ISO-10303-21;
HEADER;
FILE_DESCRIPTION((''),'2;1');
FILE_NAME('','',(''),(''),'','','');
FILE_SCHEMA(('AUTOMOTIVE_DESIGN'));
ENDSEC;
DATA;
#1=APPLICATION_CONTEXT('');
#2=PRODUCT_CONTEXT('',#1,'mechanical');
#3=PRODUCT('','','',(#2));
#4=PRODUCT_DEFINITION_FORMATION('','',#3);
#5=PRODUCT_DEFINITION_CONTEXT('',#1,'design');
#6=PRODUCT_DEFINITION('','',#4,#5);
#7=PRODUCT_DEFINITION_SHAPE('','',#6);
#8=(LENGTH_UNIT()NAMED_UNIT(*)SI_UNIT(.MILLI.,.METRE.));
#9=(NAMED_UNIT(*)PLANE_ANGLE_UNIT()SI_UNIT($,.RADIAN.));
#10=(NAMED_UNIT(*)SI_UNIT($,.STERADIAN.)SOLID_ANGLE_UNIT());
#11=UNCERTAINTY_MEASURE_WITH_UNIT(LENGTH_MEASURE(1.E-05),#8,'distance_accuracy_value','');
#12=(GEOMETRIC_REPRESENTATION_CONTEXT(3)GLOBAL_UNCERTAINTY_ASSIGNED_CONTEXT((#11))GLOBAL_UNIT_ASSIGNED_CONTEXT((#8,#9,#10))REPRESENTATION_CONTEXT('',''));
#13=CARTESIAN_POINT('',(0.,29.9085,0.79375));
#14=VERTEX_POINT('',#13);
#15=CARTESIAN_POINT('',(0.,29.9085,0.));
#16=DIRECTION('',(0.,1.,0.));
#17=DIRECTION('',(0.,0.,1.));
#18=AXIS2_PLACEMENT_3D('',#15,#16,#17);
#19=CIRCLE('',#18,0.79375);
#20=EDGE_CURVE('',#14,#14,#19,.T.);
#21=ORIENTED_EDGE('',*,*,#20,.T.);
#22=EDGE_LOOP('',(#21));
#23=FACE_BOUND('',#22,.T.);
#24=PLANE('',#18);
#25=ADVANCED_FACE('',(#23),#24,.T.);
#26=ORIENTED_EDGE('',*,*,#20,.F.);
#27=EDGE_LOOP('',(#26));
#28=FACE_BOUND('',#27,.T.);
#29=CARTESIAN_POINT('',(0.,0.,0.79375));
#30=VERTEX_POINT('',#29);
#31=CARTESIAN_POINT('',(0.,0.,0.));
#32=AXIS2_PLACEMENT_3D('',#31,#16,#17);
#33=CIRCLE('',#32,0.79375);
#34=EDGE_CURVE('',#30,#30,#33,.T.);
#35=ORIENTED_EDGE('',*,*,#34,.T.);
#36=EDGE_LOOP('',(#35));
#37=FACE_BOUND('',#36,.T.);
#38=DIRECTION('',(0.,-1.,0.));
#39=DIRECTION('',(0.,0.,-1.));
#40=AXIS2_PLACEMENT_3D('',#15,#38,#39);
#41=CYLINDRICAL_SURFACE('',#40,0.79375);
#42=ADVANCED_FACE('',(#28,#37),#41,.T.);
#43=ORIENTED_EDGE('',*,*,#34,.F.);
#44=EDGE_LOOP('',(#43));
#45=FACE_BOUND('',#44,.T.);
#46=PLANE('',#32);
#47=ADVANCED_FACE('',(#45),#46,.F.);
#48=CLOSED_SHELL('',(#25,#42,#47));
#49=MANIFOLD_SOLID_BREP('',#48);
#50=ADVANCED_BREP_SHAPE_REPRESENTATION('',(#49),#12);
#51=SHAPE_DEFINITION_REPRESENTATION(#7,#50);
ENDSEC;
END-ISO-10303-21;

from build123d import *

# Parameters (mm, degrees)
SKETCH1_R           = 0.79375
BOSS_EXTRUDE1_DEPTH = 29.9085


with BuildPart() as part:
    # Sketch1 → Boss-Extrude1 (new body)
    with BuildSketch(Plane(origin=(0, 0, 0), x_dir=(1, 0, 0), z_dir=(0, 1, 0))):
        with Locations(Location((0, 0, 0), (0, 0, 270))):
            Circle(SKETCH1_R)
    extrude(amount=BOSS_EXTRUDE1_DEPTH)


solid = part.part
